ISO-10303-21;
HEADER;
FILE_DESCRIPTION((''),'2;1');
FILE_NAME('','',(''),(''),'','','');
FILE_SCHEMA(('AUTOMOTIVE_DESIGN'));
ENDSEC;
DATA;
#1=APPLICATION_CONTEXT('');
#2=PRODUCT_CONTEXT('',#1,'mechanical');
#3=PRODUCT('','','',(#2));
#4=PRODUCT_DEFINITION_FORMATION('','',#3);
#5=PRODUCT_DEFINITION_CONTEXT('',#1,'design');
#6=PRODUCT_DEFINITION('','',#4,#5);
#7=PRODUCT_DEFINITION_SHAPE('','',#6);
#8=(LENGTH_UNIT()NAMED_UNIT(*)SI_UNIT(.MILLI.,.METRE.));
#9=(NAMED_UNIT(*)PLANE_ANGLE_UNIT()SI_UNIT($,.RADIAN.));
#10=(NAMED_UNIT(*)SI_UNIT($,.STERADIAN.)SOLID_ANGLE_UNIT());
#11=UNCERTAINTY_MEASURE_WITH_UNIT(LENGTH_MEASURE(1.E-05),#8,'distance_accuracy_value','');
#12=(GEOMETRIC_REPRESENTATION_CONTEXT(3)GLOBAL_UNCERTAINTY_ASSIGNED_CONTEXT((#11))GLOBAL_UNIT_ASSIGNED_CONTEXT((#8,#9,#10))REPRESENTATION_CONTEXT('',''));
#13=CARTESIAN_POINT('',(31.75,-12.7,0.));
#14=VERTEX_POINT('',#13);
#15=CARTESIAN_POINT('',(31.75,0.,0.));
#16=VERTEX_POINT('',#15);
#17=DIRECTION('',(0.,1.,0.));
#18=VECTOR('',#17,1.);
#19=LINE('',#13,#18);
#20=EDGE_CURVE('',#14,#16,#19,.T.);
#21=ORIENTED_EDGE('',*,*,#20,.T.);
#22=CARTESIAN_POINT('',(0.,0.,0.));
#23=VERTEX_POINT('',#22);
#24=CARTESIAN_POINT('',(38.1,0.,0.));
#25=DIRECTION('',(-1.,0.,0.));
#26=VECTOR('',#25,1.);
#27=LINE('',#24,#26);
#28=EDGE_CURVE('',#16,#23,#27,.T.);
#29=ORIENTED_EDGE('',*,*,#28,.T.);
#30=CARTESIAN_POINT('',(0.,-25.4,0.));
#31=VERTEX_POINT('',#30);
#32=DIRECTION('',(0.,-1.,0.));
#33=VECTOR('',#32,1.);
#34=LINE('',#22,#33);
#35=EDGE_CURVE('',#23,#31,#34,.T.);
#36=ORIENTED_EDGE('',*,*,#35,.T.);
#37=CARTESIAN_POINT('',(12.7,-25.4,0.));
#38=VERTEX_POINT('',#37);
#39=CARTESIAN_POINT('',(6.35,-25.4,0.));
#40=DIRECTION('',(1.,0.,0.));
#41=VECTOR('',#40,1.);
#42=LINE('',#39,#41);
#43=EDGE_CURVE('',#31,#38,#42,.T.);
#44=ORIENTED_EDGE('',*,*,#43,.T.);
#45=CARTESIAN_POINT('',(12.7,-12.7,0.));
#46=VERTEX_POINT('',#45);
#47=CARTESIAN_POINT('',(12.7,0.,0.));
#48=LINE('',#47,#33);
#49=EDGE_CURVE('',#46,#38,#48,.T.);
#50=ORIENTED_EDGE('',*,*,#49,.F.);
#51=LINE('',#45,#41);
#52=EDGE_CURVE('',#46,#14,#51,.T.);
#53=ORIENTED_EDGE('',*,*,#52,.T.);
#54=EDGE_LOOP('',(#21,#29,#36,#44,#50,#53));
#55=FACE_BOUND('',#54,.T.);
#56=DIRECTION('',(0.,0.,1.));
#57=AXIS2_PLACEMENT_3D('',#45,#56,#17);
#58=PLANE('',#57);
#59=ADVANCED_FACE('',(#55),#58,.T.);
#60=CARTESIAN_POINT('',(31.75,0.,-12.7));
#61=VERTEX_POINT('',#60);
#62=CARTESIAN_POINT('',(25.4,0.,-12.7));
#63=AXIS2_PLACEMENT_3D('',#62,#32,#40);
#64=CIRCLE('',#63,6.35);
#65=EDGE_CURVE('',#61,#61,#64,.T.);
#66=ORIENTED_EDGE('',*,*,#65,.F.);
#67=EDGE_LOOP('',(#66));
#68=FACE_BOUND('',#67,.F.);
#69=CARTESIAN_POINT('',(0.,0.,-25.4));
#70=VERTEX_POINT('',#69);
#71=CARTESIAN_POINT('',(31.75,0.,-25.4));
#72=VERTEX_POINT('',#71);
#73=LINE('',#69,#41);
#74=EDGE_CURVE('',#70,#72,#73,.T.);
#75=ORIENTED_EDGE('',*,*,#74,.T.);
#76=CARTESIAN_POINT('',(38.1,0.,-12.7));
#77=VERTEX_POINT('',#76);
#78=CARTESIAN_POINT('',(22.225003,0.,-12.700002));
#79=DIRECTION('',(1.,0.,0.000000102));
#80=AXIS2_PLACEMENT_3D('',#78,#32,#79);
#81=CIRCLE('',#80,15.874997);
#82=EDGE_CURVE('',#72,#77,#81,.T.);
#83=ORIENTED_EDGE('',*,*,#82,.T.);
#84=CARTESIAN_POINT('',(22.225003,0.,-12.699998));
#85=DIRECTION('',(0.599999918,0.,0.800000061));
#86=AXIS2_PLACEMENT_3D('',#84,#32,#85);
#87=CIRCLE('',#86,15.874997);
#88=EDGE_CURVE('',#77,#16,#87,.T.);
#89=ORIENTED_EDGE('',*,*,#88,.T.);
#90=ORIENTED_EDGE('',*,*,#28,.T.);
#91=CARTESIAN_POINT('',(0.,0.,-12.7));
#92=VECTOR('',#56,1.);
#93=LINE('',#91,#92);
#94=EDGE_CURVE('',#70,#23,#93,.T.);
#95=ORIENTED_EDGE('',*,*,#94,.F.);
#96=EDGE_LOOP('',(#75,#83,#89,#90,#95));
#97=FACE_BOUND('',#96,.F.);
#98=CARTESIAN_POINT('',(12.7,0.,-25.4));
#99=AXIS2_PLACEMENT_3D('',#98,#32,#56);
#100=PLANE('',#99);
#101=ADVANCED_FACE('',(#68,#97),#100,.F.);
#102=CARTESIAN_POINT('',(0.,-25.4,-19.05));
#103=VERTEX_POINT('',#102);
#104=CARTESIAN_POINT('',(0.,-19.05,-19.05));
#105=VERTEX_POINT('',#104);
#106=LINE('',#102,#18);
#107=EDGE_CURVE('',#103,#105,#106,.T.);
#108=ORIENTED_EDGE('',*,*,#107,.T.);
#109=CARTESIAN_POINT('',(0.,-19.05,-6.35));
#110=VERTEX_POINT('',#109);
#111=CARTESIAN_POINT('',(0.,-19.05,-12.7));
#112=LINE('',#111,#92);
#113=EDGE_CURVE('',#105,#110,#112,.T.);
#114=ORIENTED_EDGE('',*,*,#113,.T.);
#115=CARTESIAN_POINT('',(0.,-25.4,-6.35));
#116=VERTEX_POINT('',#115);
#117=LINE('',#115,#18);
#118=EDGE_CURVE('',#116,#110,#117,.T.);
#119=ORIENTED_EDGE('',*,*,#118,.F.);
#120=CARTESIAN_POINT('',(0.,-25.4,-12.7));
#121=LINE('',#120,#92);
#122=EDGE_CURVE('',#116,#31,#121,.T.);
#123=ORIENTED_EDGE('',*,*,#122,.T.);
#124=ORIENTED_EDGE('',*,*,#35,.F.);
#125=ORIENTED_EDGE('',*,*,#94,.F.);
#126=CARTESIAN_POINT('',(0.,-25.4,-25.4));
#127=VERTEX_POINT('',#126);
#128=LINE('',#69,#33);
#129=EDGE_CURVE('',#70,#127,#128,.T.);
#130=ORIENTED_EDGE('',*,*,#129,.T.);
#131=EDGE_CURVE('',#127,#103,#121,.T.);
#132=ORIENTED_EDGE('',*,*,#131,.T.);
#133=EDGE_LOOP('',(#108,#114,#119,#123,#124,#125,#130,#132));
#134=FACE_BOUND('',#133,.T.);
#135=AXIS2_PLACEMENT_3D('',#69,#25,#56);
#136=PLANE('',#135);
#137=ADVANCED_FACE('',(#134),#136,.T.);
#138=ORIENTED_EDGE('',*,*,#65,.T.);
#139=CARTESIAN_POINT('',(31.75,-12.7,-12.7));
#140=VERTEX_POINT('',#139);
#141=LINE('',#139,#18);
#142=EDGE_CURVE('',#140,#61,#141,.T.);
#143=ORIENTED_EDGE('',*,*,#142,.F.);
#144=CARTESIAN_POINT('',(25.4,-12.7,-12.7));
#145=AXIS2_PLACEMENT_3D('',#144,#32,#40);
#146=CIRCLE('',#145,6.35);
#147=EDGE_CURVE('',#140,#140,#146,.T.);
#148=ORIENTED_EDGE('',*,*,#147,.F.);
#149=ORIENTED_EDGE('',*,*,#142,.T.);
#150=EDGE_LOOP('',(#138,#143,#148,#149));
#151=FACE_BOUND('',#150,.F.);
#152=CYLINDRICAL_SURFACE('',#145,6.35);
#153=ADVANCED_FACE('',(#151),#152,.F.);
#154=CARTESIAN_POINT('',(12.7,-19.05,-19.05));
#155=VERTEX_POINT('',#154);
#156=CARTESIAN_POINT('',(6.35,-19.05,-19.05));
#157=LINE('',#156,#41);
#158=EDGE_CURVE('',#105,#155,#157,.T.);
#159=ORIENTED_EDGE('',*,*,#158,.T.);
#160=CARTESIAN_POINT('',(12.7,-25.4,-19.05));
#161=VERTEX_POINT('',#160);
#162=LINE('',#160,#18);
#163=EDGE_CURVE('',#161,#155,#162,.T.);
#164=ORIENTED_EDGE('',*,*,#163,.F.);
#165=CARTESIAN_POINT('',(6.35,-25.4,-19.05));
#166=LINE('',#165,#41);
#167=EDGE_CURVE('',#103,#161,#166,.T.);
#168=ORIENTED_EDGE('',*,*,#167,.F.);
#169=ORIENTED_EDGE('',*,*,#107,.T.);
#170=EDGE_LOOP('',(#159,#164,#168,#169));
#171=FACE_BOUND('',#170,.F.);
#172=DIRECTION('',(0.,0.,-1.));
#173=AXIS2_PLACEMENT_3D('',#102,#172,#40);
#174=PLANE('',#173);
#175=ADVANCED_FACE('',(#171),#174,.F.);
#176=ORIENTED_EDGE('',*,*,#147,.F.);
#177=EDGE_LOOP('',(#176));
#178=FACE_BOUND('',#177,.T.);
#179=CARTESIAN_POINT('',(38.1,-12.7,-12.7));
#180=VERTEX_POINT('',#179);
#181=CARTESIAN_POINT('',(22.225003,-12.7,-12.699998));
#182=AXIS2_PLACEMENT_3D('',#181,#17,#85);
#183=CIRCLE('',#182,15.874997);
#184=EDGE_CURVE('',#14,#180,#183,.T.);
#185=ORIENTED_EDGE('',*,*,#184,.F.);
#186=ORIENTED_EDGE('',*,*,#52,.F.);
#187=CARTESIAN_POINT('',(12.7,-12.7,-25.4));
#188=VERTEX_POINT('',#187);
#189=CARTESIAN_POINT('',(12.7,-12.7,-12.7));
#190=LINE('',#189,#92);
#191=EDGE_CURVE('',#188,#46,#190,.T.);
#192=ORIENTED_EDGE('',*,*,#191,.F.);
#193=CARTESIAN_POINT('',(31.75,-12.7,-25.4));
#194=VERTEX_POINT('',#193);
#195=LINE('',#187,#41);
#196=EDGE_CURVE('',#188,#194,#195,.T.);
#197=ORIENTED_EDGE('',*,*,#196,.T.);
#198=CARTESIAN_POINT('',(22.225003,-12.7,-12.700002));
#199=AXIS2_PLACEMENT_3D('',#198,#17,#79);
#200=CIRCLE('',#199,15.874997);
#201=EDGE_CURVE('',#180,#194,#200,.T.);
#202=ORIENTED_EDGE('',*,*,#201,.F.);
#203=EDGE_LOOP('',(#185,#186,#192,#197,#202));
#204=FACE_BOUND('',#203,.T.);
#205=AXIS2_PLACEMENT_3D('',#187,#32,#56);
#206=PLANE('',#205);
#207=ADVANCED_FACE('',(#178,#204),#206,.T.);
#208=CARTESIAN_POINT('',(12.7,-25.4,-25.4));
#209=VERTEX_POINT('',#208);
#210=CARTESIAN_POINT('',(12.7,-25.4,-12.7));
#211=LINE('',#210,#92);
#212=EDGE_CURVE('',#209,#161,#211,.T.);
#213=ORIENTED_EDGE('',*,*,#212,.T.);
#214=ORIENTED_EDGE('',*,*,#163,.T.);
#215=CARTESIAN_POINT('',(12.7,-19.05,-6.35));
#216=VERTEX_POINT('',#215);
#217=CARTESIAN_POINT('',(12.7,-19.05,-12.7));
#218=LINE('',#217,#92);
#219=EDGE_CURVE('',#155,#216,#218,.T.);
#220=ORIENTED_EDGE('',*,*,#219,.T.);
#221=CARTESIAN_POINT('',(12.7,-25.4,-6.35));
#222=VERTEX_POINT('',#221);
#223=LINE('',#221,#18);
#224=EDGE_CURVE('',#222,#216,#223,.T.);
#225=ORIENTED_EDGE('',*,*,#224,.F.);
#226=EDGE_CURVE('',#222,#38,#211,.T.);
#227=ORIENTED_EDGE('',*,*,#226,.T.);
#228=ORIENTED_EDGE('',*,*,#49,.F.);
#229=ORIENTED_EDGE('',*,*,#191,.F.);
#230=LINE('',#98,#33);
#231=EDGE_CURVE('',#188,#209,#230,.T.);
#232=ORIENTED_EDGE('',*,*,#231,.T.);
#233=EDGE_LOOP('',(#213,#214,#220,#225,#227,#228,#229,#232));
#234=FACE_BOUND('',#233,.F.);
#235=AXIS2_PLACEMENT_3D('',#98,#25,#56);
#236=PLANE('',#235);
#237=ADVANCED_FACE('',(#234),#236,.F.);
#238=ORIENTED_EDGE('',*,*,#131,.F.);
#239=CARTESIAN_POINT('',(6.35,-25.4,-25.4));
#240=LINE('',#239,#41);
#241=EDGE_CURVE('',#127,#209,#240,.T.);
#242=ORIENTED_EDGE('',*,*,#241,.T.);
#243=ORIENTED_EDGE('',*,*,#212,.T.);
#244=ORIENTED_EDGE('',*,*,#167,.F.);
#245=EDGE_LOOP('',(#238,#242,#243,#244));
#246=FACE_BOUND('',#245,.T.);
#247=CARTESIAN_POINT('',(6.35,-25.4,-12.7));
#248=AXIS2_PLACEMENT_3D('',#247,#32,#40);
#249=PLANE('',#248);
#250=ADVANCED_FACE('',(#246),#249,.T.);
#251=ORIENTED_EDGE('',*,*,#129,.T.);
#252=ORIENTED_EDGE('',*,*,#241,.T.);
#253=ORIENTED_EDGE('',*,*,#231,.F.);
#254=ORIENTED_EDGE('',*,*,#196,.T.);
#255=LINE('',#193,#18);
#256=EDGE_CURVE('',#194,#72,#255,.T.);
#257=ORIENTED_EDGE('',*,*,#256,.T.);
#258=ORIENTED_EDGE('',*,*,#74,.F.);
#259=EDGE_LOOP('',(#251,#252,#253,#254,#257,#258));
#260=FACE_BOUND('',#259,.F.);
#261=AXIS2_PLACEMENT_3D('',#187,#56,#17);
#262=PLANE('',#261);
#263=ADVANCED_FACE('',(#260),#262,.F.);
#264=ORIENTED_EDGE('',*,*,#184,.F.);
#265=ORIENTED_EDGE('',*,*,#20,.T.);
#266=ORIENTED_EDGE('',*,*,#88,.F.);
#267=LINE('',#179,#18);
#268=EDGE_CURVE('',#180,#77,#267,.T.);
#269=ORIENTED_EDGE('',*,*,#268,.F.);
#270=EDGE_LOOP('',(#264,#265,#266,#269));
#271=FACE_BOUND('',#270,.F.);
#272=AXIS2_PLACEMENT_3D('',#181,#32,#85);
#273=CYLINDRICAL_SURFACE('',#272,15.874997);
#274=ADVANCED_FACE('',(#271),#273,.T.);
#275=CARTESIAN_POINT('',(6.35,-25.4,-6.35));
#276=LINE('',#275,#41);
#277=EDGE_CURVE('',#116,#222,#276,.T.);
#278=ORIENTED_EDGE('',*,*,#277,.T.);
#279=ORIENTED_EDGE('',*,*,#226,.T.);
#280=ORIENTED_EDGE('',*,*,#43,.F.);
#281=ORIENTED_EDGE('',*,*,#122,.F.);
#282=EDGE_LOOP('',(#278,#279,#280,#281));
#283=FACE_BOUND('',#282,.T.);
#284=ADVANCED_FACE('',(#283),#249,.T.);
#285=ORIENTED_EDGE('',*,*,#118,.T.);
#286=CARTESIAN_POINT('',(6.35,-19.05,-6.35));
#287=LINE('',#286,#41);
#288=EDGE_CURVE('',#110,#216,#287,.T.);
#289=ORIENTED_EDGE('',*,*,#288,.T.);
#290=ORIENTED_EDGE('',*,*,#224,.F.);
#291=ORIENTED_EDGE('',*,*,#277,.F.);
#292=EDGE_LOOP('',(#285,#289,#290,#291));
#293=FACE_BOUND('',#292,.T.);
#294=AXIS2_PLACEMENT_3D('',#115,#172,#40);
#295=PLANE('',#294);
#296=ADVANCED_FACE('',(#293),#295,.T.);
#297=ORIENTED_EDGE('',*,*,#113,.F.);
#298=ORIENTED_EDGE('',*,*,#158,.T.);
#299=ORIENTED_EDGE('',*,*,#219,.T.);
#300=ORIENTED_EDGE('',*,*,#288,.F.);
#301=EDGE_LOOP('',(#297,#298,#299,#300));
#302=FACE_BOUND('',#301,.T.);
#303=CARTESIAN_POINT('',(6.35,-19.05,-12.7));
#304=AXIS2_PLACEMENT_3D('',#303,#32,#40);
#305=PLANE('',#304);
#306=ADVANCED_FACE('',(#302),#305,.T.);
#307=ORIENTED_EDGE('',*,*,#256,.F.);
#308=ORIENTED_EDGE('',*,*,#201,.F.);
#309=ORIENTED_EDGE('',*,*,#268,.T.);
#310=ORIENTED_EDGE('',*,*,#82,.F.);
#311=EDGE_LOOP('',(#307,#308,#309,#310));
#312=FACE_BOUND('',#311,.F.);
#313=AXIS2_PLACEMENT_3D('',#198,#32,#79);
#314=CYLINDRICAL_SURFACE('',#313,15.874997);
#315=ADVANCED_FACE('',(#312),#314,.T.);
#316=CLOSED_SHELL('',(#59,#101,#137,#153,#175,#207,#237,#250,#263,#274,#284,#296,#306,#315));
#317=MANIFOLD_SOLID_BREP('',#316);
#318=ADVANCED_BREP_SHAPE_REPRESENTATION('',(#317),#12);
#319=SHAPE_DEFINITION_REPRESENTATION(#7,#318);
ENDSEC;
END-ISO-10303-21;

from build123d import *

# Parameters (mm, degrees)
F0_W     = 12.7
F0_H     = 25.4
F1_DEPTH = 25.4
F2_W     = 12.7
F2_H     = 12.7
F3_DEPTH = 6.35
F4_W     = 12.7
F4_H     = 25.4
F5_DEPTH = 25.4
F7_DEPTH = 12.701
F8_R     = 6.35
F9_DEPTH = 12.701


with BuildPart() as f1:
    # F0 (on Front) → F1 (new body)
    with BuildSketch(Plane.XZ):
        with Locations((6.35, -12.7)):
            Rectangle(F0_W, F0_H)
    extrude(amount=F1_DEPTH)

    # F2 (on face) → F3 (cut)
    with BuildSketch(Plane.XZ.offset(25.4)):
        with Locations((6.35, -12.7)):
            Rectangle(F2_W, F2_H)
    extrude(amount=-F3_DEPTH, mode=Mode.SUBTRACT)

    # F4 (on face) → F5 (join)
    with BuildSketch(Plane.YZ.offset(12.7)):
        with Locations((-6.35, -12.7)):
            Rectangle(F4_W, F4_H)
    extrude(amount=F5_DEPTH)

    # F6 (on face) → F7 (cut, through all)
    with BuildSketch(Plane.XZ.offset(12.7)):
        with BuildLine():
            ThreePointArc((38.1, -12.7), (36.424032, -19.799516), (31.75, -25.4))
            Line((31.75, -25.4), (38.1, -25.4))
            Line((38.1, -25.4), (38.1, -12.7))
        make_face()
        with BuildLine():
            ThreePointArc((31.75, 0), (36.424032, -5.600484), (38.1, -12.7))
            Line((38.1, -12.7), (38.1, 0))
            Line((38.1, 0), (31.75, 0))
        make_face()
    extrude(amount=-F7_DEPTH, mode=Mode.SUBTRACT)

    # F8 (on face) → F9 (cut, through all)
    with BuildSketch(Plane.XZ.offset(12.7)):
        with Locations((25.4, -12.7)):
            Circle(F8_R)
    extrude(amount=-F9_DEPTH, mode=Mode.SUBTRACT)


solid = f1.part
